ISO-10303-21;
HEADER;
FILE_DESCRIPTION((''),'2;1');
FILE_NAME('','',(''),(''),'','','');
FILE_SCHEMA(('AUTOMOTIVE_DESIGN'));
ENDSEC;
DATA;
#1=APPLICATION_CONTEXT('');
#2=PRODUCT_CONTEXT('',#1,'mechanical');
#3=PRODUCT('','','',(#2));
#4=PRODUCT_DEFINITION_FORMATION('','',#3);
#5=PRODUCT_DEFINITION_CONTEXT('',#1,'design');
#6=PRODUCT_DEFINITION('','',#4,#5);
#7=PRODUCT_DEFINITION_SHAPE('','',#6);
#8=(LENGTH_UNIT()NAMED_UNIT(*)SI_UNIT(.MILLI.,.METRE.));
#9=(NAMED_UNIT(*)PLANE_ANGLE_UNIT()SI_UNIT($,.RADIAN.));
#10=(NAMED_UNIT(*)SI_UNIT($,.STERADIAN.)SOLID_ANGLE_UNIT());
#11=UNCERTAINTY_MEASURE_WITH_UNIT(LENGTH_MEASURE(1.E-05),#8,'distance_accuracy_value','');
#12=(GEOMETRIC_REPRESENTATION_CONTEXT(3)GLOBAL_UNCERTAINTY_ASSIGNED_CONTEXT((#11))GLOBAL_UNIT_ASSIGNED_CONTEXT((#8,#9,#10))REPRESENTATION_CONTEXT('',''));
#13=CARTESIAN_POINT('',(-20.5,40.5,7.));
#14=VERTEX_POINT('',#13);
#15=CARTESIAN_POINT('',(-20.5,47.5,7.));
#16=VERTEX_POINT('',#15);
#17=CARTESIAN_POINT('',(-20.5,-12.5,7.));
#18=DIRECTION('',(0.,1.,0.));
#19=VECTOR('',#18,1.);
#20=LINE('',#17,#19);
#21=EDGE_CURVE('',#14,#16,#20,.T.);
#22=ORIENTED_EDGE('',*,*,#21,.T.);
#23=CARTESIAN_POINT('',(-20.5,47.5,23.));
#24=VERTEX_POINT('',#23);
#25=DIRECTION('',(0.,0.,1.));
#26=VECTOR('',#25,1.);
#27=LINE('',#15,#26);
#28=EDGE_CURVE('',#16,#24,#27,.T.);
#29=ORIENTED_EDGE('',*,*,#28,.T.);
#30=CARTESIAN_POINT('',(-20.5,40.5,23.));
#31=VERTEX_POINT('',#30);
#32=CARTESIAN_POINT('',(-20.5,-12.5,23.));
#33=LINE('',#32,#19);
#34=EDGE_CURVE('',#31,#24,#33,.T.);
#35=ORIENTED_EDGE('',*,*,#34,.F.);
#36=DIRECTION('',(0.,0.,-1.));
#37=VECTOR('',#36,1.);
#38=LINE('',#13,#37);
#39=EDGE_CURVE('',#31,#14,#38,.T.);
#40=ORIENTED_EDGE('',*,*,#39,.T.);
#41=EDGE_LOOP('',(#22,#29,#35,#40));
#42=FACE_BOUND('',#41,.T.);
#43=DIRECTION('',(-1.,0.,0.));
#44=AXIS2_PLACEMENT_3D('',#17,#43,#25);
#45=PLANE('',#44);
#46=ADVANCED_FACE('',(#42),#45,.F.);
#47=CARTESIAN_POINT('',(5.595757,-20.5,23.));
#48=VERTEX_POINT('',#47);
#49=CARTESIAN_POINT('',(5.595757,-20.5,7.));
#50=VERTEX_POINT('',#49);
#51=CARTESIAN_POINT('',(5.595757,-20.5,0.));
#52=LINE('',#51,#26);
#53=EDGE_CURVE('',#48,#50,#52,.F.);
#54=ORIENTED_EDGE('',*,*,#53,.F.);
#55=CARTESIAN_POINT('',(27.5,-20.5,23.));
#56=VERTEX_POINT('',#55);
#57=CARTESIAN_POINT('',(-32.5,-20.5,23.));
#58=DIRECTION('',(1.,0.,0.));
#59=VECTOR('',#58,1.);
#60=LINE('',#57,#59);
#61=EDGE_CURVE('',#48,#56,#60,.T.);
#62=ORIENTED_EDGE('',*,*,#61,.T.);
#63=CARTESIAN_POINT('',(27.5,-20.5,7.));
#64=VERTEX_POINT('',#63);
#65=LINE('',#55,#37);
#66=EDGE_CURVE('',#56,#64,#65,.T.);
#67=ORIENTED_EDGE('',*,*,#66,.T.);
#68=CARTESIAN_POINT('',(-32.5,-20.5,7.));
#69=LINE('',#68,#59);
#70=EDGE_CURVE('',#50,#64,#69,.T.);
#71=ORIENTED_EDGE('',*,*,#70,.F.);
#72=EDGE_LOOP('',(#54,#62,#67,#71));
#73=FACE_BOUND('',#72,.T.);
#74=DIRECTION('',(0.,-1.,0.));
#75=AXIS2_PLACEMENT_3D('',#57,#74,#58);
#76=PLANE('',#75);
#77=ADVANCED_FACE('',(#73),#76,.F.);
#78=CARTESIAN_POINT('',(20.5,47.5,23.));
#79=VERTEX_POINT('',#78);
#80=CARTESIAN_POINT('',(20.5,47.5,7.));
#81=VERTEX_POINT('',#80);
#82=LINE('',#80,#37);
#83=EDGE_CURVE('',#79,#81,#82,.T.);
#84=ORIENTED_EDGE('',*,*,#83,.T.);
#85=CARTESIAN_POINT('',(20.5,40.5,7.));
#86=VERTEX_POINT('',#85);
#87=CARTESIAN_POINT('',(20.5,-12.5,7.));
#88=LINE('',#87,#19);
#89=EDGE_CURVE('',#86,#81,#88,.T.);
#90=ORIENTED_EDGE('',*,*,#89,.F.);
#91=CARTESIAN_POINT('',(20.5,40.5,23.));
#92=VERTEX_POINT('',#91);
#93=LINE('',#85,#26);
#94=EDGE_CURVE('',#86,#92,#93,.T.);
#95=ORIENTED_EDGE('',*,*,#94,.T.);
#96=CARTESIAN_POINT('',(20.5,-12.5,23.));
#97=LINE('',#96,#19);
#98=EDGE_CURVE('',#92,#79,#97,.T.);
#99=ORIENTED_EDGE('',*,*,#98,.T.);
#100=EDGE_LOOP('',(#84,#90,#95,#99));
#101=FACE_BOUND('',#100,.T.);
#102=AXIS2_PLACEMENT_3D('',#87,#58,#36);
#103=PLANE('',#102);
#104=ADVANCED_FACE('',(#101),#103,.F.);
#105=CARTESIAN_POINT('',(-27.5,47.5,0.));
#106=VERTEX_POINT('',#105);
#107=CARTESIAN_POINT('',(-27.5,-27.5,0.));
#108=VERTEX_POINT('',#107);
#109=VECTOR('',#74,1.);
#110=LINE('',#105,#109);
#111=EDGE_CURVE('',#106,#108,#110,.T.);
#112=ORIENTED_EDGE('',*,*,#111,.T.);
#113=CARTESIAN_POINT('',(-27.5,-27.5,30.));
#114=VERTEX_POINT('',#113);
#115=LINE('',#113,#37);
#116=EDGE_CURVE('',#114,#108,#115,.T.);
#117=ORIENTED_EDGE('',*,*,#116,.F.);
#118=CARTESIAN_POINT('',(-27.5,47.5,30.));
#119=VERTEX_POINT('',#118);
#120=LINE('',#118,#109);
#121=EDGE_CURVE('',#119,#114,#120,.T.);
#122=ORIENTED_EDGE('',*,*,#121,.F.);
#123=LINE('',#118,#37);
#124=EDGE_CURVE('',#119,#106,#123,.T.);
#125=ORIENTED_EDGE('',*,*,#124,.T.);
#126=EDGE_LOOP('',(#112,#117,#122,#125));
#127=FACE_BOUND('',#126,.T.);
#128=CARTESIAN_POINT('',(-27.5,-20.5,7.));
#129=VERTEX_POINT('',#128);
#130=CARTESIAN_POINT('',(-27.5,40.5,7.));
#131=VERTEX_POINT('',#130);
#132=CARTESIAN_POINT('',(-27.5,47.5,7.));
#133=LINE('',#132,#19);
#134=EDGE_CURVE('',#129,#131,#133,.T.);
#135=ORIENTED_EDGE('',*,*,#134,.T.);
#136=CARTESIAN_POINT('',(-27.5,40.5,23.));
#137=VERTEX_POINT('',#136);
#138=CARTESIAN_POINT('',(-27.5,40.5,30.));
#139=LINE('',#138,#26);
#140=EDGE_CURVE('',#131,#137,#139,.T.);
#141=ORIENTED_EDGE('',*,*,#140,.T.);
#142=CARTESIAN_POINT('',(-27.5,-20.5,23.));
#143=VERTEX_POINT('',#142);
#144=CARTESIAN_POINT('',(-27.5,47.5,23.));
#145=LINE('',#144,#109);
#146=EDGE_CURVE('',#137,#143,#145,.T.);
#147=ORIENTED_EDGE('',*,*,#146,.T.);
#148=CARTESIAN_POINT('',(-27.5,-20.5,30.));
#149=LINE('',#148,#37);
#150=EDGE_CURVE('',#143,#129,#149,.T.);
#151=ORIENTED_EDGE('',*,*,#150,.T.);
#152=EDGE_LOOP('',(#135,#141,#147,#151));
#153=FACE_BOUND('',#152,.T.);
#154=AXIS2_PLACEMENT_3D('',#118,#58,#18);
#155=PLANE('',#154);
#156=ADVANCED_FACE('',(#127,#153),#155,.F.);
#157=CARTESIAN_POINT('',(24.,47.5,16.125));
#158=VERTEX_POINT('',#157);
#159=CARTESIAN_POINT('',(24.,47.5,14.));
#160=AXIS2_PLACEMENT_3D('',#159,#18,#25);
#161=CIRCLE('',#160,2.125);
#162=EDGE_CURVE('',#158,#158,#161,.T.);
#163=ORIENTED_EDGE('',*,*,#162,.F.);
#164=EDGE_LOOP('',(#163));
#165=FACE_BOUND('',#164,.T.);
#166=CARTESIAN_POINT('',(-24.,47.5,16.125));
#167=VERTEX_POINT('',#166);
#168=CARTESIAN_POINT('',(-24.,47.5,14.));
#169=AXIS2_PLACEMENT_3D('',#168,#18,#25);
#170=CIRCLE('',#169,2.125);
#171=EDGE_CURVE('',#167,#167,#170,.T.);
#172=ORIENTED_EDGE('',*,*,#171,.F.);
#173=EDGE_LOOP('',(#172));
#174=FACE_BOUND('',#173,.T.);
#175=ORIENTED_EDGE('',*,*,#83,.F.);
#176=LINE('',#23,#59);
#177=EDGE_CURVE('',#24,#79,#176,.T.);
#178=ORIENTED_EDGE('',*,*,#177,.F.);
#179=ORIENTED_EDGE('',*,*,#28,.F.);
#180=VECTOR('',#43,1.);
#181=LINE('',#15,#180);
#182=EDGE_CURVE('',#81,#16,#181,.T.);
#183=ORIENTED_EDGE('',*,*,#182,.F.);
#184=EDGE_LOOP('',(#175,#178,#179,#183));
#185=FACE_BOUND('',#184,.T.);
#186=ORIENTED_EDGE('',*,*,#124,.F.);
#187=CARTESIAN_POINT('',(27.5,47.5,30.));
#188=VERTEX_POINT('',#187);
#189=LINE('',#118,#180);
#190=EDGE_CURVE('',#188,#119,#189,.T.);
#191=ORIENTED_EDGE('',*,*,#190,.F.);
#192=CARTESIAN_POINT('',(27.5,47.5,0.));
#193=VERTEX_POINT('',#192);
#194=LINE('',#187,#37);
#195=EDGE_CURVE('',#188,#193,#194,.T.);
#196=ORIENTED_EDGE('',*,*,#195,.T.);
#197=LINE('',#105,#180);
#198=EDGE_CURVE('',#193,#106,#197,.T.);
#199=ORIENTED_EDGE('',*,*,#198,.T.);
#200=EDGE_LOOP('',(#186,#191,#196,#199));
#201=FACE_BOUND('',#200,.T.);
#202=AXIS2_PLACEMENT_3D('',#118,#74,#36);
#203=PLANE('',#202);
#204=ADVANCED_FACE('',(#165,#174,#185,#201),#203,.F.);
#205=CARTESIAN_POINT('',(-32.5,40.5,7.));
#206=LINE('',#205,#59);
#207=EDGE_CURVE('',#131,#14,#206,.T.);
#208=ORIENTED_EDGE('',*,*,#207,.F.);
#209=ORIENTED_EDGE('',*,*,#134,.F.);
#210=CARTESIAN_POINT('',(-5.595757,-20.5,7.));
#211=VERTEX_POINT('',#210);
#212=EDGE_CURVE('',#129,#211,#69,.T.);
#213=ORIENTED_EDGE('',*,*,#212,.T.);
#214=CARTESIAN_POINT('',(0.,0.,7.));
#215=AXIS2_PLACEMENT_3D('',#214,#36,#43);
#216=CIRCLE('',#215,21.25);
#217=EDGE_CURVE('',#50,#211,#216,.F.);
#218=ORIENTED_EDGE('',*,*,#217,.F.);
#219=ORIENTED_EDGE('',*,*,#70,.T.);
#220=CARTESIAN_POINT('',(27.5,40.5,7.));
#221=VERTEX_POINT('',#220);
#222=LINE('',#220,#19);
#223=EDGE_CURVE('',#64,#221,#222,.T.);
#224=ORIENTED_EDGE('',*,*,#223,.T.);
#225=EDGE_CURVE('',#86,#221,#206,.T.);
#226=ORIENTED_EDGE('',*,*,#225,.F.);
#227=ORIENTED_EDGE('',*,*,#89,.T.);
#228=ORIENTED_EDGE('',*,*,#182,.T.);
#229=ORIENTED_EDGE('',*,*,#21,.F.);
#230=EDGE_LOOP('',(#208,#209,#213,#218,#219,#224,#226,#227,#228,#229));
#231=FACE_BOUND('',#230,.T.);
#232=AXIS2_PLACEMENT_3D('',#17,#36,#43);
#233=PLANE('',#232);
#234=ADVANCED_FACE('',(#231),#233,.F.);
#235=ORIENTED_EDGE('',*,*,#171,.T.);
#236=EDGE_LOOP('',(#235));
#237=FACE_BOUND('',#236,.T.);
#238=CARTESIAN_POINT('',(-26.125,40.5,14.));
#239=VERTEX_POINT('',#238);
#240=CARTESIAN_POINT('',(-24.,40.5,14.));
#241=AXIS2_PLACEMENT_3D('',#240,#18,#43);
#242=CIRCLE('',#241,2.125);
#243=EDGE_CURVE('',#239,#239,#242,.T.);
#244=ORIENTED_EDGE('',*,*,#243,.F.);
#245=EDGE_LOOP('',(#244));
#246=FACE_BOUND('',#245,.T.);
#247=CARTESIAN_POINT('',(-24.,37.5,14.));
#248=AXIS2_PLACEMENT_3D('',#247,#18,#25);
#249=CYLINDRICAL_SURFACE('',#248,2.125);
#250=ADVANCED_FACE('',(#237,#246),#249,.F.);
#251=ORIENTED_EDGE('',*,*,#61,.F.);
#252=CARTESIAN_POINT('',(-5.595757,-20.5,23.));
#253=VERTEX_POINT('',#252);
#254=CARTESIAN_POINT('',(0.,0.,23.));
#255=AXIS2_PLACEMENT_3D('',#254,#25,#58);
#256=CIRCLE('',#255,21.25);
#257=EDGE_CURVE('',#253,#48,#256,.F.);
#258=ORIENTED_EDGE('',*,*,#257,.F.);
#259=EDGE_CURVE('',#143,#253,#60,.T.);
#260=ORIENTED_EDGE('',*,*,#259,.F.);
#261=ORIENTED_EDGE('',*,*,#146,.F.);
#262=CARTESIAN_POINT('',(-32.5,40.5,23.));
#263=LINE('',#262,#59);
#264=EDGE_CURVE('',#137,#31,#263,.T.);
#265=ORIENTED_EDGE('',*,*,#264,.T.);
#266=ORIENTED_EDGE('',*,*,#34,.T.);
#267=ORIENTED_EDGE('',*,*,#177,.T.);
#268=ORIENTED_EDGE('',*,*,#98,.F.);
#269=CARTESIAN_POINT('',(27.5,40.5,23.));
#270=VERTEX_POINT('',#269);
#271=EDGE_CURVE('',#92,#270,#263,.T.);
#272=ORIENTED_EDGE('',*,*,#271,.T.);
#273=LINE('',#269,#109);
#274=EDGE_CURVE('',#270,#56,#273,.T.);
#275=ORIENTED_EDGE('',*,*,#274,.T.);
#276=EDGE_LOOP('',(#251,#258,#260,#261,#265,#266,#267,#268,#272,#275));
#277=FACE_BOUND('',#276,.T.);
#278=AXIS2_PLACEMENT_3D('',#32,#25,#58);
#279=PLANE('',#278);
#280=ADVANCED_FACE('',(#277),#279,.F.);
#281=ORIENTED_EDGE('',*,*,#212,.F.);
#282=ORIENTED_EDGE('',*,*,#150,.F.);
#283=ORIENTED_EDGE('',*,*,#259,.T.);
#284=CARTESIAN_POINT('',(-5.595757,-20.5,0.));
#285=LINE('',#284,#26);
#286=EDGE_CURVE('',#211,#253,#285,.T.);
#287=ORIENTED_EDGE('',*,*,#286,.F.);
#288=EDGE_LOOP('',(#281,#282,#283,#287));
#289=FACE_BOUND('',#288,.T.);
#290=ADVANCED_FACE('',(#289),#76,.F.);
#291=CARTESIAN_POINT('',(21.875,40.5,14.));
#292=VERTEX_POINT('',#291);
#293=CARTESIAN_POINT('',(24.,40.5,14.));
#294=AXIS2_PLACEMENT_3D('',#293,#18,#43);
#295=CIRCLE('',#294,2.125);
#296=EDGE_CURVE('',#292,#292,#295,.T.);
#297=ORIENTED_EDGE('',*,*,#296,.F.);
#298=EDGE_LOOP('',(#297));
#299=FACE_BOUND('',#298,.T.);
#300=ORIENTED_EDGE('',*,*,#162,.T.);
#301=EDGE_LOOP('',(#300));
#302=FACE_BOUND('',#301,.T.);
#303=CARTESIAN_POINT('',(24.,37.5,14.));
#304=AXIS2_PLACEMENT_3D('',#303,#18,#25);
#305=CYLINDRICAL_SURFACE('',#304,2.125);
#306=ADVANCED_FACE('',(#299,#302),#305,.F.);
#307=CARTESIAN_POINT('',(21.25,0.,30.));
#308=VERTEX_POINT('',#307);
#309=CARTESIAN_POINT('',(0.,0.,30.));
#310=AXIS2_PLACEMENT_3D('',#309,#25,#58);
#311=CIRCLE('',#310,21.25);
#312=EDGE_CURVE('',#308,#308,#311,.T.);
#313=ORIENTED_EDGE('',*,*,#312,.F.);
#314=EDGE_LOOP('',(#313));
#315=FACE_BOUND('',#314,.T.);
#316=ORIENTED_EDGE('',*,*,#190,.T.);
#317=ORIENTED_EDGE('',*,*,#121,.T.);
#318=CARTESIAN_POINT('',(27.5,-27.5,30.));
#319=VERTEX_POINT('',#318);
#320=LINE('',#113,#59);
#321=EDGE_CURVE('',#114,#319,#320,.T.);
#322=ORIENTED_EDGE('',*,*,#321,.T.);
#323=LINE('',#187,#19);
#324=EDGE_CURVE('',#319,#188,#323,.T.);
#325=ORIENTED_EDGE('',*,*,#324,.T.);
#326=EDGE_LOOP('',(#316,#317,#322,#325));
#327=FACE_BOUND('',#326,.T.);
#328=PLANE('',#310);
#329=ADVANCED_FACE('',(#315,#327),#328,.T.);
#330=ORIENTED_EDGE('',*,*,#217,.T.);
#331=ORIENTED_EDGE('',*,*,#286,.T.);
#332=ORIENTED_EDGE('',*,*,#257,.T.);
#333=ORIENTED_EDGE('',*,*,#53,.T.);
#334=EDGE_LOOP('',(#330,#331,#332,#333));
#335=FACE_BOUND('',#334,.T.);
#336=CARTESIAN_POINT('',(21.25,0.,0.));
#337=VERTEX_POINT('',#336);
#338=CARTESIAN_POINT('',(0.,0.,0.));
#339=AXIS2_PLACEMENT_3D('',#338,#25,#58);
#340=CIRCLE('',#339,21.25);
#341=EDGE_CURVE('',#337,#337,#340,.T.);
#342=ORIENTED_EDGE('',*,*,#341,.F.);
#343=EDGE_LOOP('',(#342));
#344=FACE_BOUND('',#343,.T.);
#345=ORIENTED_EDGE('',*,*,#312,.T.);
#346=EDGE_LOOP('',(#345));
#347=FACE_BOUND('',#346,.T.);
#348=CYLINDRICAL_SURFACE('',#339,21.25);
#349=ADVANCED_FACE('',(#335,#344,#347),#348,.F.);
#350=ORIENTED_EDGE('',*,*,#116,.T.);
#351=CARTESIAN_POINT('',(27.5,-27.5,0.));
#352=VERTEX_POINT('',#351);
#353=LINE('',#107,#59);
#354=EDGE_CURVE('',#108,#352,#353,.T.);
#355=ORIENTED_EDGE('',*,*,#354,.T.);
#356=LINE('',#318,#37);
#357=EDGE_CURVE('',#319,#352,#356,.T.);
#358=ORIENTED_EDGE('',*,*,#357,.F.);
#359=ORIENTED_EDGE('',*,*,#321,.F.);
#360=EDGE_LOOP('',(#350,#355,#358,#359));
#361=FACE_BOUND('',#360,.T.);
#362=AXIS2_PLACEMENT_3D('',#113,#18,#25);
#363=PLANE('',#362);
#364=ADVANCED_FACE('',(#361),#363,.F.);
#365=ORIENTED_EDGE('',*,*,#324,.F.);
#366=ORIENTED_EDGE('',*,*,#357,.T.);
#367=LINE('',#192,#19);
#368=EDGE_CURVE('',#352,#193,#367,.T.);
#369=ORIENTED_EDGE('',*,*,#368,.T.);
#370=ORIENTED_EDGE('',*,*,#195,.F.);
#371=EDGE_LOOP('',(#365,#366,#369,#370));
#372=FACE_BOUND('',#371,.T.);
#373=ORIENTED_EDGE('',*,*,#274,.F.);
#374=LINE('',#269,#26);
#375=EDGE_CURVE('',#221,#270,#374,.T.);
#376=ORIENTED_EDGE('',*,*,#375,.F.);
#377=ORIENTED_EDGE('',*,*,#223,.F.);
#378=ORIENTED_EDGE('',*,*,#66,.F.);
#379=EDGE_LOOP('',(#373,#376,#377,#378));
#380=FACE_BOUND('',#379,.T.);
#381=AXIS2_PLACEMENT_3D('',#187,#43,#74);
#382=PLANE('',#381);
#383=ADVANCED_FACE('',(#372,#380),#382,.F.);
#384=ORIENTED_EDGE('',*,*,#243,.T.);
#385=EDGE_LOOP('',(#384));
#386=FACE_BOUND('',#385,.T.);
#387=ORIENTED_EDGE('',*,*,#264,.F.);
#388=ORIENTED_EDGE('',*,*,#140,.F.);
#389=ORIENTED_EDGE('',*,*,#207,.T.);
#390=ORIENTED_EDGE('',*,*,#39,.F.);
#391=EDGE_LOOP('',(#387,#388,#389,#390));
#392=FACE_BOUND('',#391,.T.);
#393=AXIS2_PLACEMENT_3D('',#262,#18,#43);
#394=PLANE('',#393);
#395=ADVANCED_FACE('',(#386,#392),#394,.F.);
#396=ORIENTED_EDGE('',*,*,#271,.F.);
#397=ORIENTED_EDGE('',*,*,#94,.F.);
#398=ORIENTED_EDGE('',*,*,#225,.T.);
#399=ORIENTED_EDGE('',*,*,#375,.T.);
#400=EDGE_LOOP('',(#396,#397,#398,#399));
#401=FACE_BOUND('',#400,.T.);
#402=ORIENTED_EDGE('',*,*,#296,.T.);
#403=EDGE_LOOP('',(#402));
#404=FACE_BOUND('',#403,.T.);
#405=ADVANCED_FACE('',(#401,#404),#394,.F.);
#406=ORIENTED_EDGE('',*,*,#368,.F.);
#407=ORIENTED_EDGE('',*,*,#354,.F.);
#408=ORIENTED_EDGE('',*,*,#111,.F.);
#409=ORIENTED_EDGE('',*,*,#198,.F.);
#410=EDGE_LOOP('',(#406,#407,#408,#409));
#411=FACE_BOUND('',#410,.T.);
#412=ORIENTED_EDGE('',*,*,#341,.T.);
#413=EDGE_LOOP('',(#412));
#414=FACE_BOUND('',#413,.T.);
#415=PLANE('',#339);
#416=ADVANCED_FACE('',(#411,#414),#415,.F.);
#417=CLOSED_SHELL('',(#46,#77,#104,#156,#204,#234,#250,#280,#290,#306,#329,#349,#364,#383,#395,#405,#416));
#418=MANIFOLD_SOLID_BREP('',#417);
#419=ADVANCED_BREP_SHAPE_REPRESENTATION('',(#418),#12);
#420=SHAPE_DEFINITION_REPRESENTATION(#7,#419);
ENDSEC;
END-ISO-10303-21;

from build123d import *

# Parameters (mm, degrees)
SKETCH1_W           = 55
SKETCH1_H           = 75
BOSS_EXTRUDE1_DEPTH = 30
SKETCH2_R           = 21.25
CUT_EXTRUDE1_DEPTH  = 30
SKETCH3_W           = 41
SKETCH3_H           = 16
CUT_EXTRUDE2_DEPTH  = 60
SKETCH4_W           = 16
SKETCH4_H           = 61
CUT_EXTRUDE3_DEPTH  = 60
SKETCH5_R           = 2.125
CUT_EXTRUDE4_DEPTH  = 10


with BuildPart() as part:
    # Sketch1 → Boss-Extrude1 (new body)
    with BuildSketch(Plane.XY):
        with Locations((0, 10)):
            Rectangle(SKETCH1_W, SKETCH1_H)
    extrude(amount=BOSS_EXTRUDE1_DEPTH)

    # Sketch2 → Cut-Extrude1 (cut)
    with BuildSketch(Plane.XY.offset(30)):
        Circle(SKETCH2_R)
    extrude(amount=-CUT_EXTRUDE1_DEPTH, mode=Mode.SUBTRACT)

    # Sketch3 → Cut-Extrude2 (cut)
    with BuildSketch(Plane(origin=(0, 47.5, 0), x_dir=(1, 0, 0), z_dir=(0, 1, 0))):
        with Locations((0, -15)):
            Rectangle(SKETCH3_W, SKETCH3_H)
    extrude(amount=-CUT_EXTRUDE2_DEPTH, mode=Mode.SUBTRACT)

    # Sketch4 → Cut-Extrude3 (cut)
    with BuildSketch(Plane(origin=(27.5, 0, 0), x_dir=(0, 0, -1), z_dir=(1, 0, 0))):
        with Locations((-15, 10)):
            Rectangle(SKETCH4_W, SKETCH4_H)
    extrude(amount=-CUT_EXTRUDE3_DEPTH, mode=Mode.SUBTRACT)

    # Sketch5 → Cut-Extrude4 (cut)
    with BuildSketch(Plane(origin=(0, 47.5, 0), x_dir=(1, 0, 0), z_dir=(0, 1, 0))):
        with Locations(Location((-24, -14, 0), (0, 0, 270))):
            Circle(SKETCH5_R)
        with Locations(Location((24, -14, 0), (0, 0, 270))):
            Circle(SKETCH5_R)
    extrude(amount=-CUT_EXTRUDE4_DEPTH, mode=Mode.SUBTRACT)


solid = part.part
